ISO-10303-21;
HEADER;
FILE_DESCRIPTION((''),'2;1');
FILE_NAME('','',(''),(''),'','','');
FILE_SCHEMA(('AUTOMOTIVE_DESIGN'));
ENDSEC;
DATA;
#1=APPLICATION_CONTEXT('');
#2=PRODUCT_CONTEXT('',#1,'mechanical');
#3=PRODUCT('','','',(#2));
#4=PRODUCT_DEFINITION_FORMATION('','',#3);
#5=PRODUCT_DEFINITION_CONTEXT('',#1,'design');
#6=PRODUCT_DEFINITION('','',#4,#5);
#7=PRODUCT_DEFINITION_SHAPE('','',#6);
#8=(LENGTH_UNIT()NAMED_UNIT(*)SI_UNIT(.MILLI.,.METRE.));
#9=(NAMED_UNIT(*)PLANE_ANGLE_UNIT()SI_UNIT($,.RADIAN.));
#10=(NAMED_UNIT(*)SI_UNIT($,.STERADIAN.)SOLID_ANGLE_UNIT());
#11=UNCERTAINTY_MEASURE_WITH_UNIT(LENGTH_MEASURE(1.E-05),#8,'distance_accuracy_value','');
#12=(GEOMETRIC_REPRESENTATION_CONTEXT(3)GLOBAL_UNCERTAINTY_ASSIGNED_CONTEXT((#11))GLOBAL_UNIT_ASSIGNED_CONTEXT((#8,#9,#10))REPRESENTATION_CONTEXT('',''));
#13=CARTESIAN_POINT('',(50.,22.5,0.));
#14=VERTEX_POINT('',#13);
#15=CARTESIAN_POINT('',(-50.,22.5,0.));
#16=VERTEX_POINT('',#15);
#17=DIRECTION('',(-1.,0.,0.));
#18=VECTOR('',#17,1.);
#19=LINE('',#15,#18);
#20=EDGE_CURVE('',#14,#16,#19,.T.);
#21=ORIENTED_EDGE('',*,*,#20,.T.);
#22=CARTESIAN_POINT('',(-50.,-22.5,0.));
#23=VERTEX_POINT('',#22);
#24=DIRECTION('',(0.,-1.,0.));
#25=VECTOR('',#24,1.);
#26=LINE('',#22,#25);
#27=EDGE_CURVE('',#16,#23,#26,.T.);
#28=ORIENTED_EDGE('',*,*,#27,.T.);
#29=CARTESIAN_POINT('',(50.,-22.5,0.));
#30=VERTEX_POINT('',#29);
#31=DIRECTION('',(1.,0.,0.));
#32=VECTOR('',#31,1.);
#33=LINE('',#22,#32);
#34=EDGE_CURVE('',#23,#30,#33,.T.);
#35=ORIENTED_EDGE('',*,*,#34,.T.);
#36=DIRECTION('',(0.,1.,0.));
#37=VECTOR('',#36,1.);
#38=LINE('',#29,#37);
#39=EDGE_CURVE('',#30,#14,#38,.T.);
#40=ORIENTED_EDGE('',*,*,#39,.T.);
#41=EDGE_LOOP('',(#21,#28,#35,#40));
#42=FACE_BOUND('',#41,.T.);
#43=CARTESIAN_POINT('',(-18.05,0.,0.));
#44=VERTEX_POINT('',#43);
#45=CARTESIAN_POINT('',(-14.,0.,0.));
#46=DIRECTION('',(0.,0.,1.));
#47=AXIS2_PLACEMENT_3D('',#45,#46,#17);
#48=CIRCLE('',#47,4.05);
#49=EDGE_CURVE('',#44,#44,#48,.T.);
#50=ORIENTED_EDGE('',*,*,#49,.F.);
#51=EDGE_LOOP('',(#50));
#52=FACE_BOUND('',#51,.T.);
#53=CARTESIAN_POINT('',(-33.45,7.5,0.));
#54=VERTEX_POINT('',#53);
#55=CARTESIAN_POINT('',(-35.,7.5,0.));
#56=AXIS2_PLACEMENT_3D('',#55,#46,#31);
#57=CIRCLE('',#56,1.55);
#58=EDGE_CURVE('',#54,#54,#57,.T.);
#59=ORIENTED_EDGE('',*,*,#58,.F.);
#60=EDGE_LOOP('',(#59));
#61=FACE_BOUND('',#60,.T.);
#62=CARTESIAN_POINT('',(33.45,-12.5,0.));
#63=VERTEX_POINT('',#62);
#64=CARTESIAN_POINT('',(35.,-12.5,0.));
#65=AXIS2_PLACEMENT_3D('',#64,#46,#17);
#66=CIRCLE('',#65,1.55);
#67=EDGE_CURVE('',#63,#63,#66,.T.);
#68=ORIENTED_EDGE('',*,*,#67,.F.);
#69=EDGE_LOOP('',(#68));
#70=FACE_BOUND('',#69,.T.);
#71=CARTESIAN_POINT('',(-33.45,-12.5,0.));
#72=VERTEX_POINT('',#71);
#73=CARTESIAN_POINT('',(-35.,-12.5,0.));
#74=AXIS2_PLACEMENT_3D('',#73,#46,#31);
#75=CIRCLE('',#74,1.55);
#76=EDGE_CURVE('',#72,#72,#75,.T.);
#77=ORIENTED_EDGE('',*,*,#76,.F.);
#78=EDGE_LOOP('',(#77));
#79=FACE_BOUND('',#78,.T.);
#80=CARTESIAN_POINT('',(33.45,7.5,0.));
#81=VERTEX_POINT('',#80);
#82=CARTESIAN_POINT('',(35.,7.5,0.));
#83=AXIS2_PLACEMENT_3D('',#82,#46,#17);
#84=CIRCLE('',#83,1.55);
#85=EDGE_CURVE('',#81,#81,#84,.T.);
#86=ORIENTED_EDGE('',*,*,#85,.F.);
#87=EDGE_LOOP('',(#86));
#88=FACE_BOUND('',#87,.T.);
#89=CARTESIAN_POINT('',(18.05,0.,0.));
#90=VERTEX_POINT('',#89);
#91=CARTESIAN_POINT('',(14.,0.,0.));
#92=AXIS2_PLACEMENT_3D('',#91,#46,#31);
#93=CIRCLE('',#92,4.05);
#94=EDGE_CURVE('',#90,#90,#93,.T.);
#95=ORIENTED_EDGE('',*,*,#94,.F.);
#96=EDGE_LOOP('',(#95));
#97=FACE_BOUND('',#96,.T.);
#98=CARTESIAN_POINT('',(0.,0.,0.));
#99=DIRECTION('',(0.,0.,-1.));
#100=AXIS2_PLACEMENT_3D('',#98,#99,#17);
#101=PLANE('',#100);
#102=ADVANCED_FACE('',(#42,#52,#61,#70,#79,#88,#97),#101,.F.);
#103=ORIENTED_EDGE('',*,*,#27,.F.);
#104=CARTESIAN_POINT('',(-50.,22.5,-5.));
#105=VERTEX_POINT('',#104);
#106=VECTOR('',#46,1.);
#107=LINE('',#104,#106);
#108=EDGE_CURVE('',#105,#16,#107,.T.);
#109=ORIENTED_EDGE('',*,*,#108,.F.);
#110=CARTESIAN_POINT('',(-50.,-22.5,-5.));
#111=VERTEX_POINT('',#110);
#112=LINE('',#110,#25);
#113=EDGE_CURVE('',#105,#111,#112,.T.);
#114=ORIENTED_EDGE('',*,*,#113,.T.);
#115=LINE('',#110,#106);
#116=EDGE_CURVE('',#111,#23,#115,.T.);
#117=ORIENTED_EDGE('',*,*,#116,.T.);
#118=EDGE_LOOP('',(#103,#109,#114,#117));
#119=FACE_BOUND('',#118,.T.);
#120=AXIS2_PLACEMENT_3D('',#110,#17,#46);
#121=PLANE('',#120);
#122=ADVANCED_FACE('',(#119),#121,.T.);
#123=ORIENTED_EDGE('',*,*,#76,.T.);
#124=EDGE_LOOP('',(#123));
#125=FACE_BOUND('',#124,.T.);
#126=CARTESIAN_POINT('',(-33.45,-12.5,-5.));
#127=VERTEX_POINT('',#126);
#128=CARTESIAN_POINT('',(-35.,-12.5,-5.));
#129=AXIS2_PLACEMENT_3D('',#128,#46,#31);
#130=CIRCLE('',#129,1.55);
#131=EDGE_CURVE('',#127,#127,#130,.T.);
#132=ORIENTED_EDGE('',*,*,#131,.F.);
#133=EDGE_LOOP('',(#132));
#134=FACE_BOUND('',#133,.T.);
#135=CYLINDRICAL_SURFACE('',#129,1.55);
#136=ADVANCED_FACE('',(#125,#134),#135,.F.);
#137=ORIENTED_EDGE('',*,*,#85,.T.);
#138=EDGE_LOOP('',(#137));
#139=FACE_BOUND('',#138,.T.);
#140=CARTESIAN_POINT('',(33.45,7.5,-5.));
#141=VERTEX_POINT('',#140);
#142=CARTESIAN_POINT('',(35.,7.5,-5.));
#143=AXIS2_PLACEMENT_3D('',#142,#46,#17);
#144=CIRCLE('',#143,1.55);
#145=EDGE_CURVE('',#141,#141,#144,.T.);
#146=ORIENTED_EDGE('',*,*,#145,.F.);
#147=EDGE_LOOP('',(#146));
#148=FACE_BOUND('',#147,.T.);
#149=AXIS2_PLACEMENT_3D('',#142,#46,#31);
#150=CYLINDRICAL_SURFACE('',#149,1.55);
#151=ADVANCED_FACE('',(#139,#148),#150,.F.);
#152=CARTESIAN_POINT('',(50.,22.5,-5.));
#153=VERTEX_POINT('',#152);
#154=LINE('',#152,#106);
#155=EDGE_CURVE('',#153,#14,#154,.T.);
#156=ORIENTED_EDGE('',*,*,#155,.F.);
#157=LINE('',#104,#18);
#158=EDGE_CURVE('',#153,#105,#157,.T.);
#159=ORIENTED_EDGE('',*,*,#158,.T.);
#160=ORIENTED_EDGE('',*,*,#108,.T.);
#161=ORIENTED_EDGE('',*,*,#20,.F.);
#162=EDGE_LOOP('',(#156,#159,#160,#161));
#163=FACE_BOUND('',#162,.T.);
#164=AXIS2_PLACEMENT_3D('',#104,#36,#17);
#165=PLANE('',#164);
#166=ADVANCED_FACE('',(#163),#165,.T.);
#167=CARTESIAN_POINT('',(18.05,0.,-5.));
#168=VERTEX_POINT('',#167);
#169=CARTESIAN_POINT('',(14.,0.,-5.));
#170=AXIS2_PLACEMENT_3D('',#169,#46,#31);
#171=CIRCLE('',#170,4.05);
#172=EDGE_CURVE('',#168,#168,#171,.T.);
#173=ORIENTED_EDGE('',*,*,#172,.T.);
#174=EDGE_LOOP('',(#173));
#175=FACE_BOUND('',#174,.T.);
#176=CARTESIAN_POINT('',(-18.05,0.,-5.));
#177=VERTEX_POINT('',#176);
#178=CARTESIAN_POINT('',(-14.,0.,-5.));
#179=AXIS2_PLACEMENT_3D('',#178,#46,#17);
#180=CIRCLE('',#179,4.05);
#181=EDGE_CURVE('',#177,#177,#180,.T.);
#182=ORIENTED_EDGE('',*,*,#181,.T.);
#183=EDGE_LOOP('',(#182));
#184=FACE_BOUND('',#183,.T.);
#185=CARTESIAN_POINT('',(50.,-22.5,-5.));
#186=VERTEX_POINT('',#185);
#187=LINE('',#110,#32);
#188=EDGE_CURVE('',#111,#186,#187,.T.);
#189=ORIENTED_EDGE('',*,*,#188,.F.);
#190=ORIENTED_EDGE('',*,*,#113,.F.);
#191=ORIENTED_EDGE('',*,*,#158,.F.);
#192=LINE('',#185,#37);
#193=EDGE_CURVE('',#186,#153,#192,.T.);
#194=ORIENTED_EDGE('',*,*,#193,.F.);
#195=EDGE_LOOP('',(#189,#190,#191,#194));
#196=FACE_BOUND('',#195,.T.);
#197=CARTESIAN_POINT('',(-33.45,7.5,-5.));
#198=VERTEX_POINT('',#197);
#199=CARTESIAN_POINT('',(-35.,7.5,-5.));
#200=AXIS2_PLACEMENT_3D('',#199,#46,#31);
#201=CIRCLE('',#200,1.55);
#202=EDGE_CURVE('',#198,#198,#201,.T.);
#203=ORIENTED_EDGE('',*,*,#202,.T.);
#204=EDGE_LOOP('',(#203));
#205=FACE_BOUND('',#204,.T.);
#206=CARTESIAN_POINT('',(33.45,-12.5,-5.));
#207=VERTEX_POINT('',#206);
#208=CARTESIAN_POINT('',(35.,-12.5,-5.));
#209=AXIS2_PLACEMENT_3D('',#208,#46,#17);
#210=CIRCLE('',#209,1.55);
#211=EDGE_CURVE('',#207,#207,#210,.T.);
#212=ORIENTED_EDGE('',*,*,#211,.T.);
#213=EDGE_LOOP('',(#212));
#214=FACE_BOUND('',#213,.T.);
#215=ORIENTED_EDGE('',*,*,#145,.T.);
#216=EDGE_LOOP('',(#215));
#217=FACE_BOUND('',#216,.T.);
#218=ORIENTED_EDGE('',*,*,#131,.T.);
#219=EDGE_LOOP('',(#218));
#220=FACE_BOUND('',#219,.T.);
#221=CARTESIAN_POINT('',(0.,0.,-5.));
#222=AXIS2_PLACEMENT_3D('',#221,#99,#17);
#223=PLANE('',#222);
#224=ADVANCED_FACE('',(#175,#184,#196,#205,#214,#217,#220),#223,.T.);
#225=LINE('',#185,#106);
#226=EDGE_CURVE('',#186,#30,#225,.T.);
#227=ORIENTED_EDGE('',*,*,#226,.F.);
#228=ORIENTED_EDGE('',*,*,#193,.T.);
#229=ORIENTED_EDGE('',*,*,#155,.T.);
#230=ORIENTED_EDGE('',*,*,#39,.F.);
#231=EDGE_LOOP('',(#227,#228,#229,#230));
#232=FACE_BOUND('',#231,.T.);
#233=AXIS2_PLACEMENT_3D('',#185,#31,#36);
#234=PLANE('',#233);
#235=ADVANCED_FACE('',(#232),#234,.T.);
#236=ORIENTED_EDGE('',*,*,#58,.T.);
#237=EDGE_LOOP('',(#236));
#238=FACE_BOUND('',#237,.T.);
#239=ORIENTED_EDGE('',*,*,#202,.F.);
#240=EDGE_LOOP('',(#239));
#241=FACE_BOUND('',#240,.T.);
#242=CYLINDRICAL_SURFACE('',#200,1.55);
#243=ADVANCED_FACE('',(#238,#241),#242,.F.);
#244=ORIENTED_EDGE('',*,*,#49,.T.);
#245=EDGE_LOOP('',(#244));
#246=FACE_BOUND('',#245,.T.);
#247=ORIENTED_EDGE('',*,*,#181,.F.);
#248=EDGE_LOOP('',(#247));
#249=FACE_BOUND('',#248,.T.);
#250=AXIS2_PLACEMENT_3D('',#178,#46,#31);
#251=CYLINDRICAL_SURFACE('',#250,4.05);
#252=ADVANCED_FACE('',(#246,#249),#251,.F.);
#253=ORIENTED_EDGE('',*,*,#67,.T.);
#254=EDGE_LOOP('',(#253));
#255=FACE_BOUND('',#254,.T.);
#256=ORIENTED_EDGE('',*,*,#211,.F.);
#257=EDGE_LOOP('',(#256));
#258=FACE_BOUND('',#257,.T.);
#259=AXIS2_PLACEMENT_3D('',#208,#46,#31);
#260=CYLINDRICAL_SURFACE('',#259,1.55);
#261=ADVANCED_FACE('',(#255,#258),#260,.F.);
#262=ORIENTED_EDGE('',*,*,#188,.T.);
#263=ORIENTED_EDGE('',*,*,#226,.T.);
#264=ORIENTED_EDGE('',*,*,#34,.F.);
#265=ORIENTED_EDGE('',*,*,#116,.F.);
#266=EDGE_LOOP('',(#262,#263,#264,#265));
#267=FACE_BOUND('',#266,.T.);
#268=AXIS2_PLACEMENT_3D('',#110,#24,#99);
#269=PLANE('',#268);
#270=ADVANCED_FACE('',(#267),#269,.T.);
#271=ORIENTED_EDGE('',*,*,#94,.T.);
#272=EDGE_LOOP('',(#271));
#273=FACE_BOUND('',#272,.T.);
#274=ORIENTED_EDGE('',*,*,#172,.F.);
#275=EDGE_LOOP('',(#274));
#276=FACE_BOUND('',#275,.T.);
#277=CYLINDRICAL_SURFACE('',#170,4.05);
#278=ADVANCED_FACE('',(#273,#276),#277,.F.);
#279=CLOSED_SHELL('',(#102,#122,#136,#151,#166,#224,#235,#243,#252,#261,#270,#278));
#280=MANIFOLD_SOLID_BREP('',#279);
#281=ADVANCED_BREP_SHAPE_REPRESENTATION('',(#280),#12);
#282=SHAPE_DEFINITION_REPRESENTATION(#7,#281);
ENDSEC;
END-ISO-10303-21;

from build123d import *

# Parameters (mm, degrees)
ESQUISSE1_W        = 100
ESQUISSE1_H        = 45
ESQUISSE1_R        = 1.55
ESQUISSE1_R_2      = 4.05
BOSS_EXTRU_1_DEPTH = 5


with BuildPart() as part:
    # Esquisse1 → Boss.-Extru.1 (new body)
    with BuildSketch(Plane.XY):
        Rectangle(ESQUISSE1_W, ESQUISSE1_H)
        with Locations((-35, -12.5)):
            Circle(ESQUISSE1_R, mode=Mode.SUBTRACT)
        with Locations(Location((35, -12.5, 0), (0, 0, 180))):
            Circle(ESQUISSE1_R, mode=Mode.SUBTRACT)
        with Locations((14, 0)):
            Circle(ESQUISSE1_R_2, mode=Mode.SUBTRACT)
        with Locations(Location((-14, 0, 0), (0, 0, 180))):
            Circle(ESQUISSE1_R_2, mode=Mode.SUBTRACT)
        with Locations((-35, 7.5)):
            Circle(ESQUISSE1_R, mode=Mode.SUBTRACT)
        with Locations(Location((35, 7.5, 0), (0, 0, 180))):
            Circle(ESQUISSE1_R, mode=Mode.SUBTRACT)
    extrude(amount=-BOSS_EXTRU_1_DEPTH)


solid = part.part
